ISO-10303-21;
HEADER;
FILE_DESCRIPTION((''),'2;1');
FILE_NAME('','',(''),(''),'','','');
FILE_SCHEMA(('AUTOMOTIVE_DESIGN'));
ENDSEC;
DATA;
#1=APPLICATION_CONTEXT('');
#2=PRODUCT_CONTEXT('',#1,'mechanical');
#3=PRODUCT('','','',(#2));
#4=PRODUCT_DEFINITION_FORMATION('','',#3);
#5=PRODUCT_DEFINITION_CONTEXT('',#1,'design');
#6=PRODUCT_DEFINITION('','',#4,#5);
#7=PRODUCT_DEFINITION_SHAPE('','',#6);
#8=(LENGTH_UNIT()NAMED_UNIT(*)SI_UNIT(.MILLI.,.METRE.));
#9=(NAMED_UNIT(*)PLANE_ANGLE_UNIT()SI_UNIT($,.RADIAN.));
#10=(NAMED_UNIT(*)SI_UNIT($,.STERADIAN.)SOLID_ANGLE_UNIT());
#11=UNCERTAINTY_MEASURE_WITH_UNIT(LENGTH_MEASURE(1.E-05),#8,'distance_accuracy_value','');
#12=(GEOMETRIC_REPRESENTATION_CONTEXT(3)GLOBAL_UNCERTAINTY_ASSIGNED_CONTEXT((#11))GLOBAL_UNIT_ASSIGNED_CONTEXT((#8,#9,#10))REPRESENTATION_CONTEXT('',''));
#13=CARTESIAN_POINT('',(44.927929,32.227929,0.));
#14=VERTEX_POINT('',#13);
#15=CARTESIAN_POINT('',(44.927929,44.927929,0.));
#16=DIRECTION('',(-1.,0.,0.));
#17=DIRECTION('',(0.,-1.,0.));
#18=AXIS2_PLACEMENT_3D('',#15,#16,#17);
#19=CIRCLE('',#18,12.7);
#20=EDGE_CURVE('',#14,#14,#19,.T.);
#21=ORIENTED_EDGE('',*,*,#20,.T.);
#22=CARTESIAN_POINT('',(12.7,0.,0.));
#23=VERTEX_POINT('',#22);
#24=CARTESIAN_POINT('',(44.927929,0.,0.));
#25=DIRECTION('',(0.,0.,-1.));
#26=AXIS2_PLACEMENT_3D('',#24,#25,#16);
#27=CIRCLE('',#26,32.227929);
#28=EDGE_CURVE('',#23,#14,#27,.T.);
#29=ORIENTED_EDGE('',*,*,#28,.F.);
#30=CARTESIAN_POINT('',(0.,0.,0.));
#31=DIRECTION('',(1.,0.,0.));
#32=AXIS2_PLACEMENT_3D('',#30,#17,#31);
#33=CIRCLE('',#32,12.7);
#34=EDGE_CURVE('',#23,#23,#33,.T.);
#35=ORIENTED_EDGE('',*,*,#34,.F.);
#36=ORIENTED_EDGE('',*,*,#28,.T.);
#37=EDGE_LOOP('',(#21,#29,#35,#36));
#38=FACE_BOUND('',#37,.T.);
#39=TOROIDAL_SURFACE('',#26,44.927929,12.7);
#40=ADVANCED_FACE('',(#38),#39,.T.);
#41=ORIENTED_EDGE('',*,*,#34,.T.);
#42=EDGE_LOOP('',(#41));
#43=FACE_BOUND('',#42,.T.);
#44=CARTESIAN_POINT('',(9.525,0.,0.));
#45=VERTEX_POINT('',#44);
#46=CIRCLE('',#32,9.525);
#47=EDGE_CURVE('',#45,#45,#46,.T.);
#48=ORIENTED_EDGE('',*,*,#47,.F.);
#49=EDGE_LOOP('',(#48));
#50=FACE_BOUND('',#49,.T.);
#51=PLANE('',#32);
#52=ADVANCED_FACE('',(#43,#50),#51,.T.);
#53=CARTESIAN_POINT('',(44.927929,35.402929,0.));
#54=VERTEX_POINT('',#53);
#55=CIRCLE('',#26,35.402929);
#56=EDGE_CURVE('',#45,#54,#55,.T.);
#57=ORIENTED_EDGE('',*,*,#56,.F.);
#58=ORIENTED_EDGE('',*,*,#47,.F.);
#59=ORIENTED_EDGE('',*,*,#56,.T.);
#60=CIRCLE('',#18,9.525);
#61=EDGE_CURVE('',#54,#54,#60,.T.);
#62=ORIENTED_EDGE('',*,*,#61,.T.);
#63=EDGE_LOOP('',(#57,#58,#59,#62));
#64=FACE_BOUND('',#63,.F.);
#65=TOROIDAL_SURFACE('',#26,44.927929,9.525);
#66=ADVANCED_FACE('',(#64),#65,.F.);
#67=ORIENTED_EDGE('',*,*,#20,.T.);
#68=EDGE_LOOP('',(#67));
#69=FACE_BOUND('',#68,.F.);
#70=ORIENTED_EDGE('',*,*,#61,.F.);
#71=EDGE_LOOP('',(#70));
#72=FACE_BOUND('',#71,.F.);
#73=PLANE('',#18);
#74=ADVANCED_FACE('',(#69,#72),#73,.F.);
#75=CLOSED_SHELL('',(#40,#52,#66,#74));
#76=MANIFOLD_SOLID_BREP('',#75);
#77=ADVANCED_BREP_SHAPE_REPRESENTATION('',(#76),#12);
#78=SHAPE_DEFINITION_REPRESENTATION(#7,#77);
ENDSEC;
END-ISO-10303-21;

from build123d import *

# Parameters (mm, degrees)
F0_R     = 12.7
F0_R_2   = 9.525
F2_ANGLE = 90


with BuildPart() as f2:
    # F0 (on Front) → F2 (revolve)
    with BuildSketch(Plane.XZ):
        Circle(F0_R)
        Circle(F0_R_2, mode=Mode.SUBTRACT)
    revolve(axis=Axis((44.927929, 0, 8.868793), (0, 0, -1)), revolution_arc=F2_ANGLE)


solid = f2.part
